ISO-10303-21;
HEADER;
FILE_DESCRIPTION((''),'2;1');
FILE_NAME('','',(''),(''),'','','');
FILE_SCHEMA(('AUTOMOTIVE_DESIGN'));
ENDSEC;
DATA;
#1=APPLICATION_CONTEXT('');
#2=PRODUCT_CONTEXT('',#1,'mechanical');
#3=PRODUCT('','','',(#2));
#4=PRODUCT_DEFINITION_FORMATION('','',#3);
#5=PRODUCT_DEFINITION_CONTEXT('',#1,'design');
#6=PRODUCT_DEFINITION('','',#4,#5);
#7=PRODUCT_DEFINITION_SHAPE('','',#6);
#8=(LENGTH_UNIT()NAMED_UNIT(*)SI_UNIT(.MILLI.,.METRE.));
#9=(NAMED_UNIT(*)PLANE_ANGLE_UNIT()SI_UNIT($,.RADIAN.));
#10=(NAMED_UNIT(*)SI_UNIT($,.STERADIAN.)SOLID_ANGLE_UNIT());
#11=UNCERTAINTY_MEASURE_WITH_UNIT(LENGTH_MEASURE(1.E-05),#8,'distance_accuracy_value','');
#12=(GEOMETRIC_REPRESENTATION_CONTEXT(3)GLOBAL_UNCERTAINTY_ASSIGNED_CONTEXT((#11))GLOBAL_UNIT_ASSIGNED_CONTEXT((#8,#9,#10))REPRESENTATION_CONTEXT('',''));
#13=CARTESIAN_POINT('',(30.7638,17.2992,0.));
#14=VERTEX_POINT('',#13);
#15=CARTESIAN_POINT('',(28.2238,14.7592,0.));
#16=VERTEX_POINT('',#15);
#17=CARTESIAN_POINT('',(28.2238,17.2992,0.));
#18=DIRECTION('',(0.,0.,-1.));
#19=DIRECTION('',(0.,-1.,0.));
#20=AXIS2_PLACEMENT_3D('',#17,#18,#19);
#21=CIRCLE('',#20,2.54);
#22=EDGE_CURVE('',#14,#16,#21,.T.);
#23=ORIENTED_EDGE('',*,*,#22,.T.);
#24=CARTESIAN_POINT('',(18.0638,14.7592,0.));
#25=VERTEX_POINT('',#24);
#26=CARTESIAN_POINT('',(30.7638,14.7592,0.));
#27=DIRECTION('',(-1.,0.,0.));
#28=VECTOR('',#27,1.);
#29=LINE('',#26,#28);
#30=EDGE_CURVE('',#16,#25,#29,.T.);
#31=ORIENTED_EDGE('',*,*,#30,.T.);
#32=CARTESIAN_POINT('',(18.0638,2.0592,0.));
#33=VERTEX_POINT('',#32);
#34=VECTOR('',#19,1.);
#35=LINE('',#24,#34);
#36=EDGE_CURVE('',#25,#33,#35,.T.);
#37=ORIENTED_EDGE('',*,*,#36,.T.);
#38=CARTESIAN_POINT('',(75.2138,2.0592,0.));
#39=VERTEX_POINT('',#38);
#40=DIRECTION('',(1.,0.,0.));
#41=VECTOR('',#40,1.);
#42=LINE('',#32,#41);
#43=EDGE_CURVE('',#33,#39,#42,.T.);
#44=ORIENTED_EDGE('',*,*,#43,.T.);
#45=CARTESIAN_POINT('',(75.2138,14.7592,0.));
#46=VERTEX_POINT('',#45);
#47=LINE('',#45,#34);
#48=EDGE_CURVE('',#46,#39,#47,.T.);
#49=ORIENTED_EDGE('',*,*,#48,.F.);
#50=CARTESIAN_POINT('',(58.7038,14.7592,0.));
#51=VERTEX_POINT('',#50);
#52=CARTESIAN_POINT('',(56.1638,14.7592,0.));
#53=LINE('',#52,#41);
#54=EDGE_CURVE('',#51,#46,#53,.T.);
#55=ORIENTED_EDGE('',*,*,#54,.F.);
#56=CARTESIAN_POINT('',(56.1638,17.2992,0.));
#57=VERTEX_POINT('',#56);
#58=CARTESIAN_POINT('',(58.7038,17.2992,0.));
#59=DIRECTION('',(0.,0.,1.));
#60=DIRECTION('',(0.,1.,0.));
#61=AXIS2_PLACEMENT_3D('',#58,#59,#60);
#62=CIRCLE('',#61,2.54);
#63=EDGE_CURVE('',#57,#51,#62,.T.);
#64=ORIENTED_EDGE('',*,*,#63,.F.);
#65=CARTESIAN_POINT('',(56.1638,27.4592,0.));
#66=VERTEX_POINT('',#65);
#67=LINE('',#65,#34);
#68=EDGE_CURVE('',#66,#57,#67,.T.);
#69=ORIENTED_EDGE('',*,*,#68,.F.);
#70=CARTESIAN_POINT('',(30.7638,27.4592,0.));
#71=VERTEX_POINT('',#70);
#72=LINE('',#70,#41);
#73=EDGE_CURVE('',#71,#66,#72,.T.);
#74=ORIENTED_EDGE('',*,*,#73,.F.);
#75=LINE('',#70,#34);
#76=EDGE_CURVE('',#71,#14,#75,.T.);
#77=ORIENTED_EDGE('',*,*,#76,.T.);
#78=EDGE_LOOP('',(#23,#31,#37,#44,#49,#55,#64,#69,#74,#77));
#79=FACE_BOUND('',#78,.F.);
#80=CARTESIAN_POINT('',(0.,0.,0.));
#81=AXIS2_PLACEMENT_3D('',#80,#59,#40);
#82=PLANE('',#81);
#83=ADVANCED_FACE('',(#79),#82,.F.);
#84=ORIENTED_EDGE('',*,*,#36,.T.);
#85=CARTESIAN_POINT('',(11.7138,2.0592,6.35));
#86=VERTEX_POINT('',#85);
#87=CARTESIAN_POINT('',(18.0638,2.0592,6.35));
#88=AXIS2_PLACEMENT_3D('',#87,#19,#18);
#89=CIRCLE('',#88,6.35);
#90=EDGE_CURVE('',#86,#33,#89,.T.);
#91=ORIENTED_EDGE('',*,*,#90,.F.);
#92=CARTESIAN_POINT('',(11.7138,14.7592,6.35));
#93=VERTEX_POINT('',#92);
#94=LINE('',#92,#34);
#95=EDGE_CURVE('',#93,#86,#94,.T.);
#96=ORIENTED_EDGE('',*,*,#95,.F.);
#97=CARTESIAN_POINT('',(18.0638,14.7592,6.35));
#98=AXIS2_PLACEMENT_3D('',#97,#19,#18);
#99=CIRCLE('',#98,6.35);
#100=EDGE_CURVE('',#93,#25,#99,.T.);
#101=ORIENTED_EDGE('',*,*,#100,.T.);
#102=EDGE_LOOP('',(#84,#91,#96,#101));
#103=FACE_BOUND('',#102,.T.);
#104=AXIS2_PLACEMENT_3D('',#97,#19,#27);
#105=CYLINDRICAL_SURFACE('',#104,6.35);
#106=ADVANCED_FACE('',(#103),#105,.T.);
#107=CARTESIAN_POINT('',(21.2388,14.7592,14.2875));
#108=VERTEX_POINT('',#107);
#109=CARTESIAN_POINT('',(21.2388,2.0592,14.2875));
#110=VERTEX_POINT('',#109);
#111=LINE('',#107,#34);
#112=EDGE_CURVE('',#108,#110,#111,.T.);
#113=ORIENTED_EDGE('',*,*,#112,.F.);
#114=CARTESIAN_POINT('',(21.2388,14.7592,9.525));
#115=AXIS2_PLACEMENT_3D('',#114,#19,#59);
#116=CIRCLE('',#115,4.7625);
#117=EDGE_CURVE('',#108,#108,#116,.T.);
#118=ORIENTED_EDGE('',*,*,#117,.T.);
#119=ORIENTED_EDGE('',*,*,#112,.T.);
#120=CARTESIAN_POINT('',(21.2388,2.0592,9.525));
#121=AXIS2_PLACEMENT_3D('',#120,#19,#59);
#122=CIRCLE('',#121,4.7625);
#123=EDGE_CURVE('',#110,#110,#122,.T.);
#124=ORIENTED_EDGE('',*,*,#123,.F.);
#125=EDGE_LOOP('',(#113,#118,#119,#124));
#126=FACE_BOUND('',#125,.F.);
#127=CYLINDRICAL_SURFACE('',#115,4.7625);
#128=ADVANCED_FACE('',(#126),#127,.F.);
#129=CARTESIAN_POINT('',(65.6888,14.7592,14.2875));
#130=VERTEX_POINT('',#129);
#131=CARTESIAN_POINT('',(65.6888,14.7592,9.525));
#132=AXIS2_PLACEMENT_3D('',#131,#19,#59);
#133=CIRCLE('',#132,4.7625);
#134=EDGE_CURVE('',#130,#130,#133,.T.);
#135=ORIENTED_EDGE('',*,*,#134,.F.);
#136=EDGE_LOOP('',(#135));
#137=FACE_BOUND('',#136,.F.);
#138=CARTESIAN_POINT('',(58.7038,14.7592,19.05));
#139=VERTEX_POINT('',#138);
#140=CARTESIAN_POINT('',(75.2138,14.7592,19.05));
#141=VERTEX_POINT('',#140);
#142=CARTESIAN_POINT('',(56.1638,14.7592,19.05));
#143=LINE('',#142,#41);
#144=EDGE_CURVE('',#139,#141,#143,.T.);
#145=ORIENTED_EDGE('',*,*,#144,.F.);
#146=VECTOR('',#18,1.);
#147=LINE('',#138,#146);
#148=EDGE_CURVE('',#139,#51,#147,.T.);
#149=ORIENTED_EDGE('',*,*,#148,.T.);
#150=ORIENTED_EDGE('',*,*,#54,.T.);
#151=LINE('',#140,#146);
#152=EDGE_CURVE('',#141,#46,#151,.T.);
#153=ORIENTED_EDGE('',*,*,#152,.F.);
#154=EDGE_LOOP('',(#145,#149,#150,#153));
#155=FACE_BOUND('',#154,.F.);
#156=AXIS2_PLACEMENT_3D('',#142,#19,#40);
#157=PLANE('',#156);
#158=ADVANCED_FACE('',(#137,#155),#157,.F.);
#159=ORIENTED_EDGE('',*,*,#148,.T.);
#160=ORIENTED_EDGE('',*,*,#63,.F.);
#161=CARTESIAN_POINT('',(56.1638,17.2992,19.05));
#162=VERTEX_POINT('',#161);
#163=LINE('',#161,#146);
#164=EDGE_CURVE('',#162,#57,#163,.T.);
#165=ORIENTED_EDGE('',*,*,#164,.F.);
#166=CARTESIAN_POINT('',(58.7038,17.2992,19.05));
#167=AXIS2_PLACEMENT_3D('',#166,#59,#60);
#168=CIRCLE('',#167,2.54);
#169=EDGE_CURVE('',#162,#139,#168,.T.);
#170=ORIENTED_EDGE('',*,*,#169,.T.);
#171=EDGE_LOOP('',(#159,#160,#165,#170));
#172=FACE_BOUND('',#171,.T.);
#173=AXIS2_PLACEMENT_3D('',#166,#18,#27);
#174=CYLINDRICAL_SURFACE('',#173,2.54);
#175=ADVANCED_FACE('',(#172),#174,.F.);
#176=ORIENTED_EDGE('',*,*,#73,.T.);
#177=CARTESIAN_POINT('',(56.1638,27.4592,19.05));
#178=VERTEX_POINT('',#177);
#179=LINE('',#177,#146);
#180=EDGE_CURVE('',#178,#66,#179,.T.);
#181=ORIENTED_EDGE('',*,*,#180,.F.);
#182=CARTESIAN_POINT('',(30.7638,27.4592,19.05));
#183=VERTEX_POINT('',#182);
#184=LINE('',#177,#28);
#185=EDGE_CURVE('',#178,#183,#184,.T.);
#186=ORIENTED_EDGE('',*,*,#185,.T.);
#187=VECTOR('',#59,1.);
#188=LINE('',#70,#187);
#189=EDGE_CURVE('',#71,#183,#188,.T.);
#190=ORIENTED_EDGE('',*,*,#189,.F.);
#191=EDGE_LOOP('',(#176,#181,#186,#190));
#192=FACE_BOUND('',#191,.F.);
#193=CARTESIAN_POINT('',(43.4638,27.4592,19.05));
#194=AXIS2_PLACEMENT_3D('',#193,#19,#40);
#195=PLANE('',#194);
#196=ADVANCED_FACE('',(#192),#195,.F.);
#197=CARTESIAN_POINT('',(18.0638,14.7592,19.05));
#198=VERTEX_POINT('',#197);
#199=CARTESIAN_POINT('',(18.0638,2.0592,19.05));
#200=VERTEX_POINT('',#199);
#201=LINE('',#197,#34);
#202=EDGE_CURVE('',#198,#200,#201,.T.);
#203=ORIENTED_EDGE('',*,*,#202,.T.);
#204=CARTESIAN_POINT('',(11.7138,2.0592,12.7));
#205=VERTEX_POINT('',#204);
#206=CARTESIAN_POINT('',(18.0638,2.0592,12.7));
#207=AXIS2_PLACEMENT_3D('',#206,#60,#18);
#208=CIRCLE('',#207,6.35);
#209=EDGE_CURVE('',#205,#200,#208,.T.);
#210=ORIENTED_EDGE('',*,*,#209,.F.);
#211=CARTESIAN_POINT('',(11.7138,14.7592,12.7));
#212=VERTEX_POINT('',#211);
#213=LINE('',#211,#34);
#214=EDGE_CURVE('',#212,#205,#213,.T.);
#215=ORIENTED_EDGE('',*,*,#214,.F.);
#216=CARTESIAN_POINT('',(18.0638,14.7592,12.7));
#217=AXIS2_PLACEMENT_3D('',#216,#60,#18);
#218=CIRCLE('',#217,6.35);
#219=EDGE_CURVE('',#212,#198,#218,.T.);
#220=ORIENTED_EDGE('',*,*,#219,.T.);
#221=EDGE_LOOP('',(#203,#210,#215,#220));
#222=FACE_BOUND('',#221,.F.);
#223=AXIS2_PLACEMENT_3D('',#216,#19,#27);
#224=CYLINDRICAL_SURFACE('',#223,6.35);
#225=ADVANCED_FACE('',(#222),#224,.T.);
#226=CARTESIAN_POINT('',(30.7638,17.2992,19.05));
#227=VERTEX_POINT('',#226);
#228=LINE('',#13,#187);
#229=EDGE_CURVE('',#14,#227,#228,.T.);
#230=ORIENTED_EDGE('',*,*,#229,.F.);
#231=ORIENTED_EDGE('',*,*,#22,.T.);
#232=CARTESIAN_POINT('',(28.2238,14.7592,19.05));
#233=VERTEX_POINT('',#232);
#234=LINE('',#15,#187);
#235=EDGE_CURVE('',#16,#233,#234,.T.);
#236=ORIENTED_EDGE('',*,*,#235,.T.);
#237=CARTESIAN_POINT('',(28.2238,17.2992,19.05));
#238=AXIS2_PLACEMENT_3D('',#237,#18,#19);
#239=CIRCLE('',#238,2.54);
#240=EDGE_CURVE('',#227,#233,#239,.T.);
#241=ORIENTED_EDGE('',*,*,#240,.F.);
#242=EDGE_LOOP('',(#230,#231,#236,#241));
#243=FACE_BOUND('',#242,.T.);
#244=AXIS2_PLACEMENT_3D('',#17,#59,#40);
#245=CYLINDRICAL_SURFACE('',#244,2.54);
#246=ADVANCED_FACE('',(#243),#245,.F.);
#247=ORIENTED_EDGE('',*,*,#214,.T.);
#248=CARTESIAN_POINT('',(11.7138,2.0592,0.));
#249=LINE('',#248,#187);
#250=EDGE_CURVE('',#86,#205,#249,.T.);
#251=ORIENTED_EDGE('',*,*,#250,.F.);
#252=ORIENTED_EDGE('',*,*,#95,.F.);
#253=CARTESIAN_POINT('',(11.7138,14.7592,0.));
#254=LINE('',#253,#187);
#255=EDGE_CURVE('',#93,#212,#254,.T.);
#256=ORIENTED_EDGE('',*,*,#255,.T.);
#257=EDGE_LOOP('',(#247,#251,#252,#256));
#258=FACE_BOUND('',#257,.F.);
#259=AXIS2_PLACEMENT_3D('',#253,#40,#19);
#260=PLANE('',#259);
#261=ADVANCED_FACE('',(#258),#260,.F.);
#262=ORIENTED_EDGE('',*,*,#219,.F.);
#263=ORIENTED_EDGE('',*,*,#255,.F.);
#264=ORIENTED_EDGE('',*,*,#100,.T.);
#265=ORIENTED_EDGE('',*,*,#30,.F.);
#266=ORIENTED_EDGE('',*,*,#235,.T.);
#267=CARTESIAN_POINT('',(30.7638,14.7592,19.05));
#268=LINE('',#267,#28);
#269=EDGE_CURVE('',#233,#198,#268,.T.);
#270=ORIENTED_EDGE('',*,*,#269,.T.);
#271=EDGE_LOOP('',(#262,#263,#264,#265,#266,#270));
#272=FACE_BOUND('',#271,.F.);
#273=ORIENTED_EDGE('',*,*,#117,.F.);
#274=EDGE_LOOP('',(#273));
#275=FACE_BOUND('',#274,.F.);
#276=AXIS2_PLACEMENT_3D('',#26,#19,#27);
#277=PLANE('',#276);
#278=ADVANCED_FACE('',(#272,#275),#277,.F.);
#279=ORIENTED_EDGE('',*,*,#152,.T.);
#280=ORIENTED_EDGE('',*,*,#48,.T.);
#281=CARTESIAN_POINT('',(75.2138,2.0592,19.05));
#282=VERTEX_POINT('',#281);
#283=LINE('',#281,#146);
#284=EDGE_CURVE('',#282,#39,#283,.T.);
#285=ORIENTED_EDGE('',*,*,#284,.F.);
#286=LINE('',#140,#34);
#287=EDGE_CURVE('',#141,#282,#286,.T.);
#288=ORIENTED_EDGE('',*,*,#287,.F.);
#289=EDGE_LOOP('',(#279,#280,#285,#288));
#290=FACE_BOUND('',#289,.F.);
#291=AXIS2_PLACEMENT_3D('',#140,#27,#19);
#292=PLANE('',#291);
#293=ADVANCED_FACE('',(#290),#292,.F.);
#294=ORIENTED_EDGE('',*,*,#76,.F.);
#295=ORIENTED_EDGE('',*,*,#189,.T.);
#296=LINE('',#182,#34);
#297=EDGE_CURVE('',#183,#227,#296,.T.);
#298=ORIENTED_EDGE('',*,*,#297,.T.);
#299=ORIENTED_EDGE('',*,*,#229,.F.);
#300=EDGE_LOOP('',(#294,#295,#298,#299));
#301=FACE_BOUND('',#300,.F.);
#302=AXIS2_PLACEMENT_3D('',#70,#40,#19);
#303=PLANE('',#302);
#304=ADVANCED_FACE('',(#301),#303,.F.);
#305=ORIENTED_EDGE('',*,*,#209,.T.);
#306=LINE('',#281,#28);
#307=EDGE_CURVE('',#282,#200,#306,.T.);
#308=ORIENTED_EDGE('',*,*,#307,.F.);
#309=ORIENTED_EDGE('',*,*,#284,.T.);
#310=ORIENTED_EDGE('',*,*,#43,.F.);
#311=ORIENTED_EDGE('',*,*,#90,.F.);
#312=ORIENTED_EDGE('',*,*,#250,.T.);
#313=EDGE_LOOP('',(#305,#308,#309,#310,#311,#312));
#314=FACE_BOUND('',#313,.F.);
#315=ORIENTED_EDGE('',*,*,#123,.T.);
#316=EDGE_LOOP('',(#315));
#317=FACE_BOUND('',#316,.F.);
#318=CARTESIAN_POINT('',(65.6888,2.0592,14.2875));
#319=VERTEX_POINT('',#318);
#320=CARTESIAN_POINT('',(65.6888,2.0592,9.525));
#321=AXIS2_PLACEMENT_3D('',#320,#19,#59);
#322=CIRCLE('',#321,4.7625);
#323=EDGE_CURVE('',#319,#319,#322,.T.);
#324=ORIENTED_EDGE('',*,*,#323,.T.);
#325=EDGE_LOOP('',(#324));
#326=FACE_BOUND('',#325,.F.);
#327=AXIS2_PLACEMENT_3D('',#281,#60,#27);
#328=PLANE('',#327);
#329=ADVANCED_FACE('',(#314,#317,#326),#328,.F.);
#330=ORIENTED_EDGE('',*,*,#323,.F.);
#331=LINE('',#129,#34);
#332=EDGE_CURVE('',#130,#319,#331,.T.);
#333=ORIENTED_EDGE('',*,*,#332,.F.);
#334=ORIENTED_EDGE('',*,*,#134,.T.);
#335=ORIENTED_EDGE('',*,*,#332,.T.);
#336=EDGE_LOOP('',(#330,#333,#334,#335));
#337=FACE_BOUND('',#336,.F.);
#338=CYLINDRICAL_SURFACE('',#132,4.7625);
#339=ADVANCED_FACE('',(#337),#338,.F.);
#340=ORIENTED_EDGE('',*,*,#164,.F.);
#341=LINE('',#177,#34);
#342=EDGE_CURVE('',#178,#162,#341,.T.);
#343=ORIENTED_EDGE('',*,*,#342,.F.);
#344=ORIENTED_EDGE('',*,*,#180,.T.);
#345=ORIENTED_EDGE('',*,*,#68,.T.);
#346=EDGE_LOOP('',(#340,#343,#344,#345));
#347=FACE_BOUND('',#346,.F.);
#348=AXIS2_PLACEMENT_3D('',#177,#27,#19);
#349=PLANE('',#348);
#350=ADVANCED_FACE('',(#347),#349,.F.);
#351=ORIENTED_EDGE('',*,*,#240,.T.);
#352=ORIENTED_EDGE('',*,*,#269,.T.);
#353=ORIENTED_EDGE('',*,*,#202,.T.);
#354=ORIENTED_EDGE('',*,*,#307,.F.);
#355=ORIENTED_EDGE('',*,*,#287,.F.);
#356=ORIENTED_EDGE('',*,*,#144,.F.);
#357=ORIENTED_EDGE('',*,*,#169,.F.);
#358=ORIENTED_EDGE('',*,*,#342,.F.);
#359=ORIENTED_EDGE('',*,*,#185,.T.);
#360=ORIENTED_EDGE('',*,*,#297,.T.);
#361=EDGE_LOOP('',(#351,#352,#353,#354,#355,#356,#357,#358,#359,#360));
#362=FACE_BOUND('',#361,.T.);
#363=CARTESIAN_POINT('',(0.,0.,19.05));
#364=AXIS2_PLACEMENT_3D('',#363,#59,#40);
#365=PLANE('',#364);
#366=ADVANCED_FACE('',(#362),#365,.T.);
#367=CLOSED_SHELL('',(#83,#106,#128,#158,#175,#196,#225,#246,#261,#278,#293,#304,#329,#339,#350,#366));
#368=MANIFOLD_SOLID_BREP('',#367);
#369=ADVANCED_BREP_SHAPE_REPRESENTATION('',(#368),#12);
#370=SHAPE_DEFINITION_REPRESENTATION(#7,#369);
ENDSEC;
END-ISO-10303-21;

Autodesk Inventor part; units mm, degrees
ref_plane "YZ Plane" through (0, 0, 0) normal (1, 0, 0) x (0, 1, 0)
ref_plane "XZ Plane" through (0, 0, 0) normal (0, 1, 0) x (-1, 0, 0)
ref_plane "XY Plane" through (0, 0, 0) normal (0, 0, 1) x (1, 0, 0)
sketch "Sketch1" plane through (0, 0, 0) normal (0, 0, 1) x (1, 0, 0)
  line L0 (43.4638, 27.4592) -> (30.7638, 27.4592)
  line L1 (30.7638, 27.4592) -> (30.7638, 14.7592)
  line L2 (43.4638, 14.7592) -> (43.4638, 27.4592)
  line L3 (30.7638, 14.7592) -> (11.7138, 14.7592)
  line L4 (11.7138, 14.7592) -> (11.7138, 2.0592)
  line L5 (11.7138, 2.0592) -> (43.4638, 2.0592)
  line L6 (43.4638, 2.0592) -> (43.4638, 14.7592)
  point P0 (0, 0)
  dimension "d1" = 12.7
  dimension "d2" = 31.75
  dimension "d3" = 12.7
extrude "Extrusion1" add sketch "Sketch1" along normal blind 19.05
fillet "Fillet1" radius 6.35 2 edges at (11.7138, 8.4092, 19.05) (11.7138, 8.4092, 0)
sketch "Sketch2" plane through (30.7638, 14.7592, 19.05) normal (0, 1, 0) x (1, 0, 0)
  circle A0 centre (-9.525, 9.525) radius 4.7625
  point P0 (-30.7638, 19.05)
  point P1 (-31.0867, 15.9672)
  dimension "d8" = 9.525
hole "Hole1" at (21.2388, 14.7592, 9.525) at (-0.3229, 14.7592, 3.0828) at (21.2388, 14.7592, 9.525) direction (0, -1, 0) diameter 9.525 depth 25.4 tip angle 118
sketch "Sketch4" plane through (0, 0, 19.05) normal (0, 0, 1) x (1, 0, 0)
  line L0 (75.2138, 14.7592) -> (75.2138, 2.0592)
  line L1 (75.2138, 2.0592) -> (43.4638, 2.0592)
  line L2 (43.4638, 2.0592) -> (43.4638, 27.4592)
  line L3 (43.4638, 27.4592) -> (56.1638, 27.4592)
  line L4 (56.1638, 27.4592) -> (56.1638, 14.7592)
  line L5 (56.1638, 14.7592) -> (75.2138, 14.7592)
  point P0 (0, 0)
  dimension "d16" = 31.75
  dimension "d17" = 12.7
extrude "Extrusion3" add sketch "Sketch4" against normal blind 19.05
sketch "Sketch6" plane through (56.1638, 14.7592, 19.05) normal (0, 1, 0) x (1, 0, 0)
  line L0 (-38.1, 19.05) -> (19.05, 19.05) projected
  point P0 (-56.1638, 19.05)
  point P1 (9.525, 9.525)
hole "Hole2" at (65.6888, 14.7592, 9.525) direction (0, -1, 0) diameter 9.525 end through all
fillet "Fillet4" radius 2.54 1 edges at (30.7638, 14.7592, 9.525)
fillet "Fillet5" radius 2.54 1 edges at (56.1638, 14.7592, 9.525)
properties part number "Mirror"
